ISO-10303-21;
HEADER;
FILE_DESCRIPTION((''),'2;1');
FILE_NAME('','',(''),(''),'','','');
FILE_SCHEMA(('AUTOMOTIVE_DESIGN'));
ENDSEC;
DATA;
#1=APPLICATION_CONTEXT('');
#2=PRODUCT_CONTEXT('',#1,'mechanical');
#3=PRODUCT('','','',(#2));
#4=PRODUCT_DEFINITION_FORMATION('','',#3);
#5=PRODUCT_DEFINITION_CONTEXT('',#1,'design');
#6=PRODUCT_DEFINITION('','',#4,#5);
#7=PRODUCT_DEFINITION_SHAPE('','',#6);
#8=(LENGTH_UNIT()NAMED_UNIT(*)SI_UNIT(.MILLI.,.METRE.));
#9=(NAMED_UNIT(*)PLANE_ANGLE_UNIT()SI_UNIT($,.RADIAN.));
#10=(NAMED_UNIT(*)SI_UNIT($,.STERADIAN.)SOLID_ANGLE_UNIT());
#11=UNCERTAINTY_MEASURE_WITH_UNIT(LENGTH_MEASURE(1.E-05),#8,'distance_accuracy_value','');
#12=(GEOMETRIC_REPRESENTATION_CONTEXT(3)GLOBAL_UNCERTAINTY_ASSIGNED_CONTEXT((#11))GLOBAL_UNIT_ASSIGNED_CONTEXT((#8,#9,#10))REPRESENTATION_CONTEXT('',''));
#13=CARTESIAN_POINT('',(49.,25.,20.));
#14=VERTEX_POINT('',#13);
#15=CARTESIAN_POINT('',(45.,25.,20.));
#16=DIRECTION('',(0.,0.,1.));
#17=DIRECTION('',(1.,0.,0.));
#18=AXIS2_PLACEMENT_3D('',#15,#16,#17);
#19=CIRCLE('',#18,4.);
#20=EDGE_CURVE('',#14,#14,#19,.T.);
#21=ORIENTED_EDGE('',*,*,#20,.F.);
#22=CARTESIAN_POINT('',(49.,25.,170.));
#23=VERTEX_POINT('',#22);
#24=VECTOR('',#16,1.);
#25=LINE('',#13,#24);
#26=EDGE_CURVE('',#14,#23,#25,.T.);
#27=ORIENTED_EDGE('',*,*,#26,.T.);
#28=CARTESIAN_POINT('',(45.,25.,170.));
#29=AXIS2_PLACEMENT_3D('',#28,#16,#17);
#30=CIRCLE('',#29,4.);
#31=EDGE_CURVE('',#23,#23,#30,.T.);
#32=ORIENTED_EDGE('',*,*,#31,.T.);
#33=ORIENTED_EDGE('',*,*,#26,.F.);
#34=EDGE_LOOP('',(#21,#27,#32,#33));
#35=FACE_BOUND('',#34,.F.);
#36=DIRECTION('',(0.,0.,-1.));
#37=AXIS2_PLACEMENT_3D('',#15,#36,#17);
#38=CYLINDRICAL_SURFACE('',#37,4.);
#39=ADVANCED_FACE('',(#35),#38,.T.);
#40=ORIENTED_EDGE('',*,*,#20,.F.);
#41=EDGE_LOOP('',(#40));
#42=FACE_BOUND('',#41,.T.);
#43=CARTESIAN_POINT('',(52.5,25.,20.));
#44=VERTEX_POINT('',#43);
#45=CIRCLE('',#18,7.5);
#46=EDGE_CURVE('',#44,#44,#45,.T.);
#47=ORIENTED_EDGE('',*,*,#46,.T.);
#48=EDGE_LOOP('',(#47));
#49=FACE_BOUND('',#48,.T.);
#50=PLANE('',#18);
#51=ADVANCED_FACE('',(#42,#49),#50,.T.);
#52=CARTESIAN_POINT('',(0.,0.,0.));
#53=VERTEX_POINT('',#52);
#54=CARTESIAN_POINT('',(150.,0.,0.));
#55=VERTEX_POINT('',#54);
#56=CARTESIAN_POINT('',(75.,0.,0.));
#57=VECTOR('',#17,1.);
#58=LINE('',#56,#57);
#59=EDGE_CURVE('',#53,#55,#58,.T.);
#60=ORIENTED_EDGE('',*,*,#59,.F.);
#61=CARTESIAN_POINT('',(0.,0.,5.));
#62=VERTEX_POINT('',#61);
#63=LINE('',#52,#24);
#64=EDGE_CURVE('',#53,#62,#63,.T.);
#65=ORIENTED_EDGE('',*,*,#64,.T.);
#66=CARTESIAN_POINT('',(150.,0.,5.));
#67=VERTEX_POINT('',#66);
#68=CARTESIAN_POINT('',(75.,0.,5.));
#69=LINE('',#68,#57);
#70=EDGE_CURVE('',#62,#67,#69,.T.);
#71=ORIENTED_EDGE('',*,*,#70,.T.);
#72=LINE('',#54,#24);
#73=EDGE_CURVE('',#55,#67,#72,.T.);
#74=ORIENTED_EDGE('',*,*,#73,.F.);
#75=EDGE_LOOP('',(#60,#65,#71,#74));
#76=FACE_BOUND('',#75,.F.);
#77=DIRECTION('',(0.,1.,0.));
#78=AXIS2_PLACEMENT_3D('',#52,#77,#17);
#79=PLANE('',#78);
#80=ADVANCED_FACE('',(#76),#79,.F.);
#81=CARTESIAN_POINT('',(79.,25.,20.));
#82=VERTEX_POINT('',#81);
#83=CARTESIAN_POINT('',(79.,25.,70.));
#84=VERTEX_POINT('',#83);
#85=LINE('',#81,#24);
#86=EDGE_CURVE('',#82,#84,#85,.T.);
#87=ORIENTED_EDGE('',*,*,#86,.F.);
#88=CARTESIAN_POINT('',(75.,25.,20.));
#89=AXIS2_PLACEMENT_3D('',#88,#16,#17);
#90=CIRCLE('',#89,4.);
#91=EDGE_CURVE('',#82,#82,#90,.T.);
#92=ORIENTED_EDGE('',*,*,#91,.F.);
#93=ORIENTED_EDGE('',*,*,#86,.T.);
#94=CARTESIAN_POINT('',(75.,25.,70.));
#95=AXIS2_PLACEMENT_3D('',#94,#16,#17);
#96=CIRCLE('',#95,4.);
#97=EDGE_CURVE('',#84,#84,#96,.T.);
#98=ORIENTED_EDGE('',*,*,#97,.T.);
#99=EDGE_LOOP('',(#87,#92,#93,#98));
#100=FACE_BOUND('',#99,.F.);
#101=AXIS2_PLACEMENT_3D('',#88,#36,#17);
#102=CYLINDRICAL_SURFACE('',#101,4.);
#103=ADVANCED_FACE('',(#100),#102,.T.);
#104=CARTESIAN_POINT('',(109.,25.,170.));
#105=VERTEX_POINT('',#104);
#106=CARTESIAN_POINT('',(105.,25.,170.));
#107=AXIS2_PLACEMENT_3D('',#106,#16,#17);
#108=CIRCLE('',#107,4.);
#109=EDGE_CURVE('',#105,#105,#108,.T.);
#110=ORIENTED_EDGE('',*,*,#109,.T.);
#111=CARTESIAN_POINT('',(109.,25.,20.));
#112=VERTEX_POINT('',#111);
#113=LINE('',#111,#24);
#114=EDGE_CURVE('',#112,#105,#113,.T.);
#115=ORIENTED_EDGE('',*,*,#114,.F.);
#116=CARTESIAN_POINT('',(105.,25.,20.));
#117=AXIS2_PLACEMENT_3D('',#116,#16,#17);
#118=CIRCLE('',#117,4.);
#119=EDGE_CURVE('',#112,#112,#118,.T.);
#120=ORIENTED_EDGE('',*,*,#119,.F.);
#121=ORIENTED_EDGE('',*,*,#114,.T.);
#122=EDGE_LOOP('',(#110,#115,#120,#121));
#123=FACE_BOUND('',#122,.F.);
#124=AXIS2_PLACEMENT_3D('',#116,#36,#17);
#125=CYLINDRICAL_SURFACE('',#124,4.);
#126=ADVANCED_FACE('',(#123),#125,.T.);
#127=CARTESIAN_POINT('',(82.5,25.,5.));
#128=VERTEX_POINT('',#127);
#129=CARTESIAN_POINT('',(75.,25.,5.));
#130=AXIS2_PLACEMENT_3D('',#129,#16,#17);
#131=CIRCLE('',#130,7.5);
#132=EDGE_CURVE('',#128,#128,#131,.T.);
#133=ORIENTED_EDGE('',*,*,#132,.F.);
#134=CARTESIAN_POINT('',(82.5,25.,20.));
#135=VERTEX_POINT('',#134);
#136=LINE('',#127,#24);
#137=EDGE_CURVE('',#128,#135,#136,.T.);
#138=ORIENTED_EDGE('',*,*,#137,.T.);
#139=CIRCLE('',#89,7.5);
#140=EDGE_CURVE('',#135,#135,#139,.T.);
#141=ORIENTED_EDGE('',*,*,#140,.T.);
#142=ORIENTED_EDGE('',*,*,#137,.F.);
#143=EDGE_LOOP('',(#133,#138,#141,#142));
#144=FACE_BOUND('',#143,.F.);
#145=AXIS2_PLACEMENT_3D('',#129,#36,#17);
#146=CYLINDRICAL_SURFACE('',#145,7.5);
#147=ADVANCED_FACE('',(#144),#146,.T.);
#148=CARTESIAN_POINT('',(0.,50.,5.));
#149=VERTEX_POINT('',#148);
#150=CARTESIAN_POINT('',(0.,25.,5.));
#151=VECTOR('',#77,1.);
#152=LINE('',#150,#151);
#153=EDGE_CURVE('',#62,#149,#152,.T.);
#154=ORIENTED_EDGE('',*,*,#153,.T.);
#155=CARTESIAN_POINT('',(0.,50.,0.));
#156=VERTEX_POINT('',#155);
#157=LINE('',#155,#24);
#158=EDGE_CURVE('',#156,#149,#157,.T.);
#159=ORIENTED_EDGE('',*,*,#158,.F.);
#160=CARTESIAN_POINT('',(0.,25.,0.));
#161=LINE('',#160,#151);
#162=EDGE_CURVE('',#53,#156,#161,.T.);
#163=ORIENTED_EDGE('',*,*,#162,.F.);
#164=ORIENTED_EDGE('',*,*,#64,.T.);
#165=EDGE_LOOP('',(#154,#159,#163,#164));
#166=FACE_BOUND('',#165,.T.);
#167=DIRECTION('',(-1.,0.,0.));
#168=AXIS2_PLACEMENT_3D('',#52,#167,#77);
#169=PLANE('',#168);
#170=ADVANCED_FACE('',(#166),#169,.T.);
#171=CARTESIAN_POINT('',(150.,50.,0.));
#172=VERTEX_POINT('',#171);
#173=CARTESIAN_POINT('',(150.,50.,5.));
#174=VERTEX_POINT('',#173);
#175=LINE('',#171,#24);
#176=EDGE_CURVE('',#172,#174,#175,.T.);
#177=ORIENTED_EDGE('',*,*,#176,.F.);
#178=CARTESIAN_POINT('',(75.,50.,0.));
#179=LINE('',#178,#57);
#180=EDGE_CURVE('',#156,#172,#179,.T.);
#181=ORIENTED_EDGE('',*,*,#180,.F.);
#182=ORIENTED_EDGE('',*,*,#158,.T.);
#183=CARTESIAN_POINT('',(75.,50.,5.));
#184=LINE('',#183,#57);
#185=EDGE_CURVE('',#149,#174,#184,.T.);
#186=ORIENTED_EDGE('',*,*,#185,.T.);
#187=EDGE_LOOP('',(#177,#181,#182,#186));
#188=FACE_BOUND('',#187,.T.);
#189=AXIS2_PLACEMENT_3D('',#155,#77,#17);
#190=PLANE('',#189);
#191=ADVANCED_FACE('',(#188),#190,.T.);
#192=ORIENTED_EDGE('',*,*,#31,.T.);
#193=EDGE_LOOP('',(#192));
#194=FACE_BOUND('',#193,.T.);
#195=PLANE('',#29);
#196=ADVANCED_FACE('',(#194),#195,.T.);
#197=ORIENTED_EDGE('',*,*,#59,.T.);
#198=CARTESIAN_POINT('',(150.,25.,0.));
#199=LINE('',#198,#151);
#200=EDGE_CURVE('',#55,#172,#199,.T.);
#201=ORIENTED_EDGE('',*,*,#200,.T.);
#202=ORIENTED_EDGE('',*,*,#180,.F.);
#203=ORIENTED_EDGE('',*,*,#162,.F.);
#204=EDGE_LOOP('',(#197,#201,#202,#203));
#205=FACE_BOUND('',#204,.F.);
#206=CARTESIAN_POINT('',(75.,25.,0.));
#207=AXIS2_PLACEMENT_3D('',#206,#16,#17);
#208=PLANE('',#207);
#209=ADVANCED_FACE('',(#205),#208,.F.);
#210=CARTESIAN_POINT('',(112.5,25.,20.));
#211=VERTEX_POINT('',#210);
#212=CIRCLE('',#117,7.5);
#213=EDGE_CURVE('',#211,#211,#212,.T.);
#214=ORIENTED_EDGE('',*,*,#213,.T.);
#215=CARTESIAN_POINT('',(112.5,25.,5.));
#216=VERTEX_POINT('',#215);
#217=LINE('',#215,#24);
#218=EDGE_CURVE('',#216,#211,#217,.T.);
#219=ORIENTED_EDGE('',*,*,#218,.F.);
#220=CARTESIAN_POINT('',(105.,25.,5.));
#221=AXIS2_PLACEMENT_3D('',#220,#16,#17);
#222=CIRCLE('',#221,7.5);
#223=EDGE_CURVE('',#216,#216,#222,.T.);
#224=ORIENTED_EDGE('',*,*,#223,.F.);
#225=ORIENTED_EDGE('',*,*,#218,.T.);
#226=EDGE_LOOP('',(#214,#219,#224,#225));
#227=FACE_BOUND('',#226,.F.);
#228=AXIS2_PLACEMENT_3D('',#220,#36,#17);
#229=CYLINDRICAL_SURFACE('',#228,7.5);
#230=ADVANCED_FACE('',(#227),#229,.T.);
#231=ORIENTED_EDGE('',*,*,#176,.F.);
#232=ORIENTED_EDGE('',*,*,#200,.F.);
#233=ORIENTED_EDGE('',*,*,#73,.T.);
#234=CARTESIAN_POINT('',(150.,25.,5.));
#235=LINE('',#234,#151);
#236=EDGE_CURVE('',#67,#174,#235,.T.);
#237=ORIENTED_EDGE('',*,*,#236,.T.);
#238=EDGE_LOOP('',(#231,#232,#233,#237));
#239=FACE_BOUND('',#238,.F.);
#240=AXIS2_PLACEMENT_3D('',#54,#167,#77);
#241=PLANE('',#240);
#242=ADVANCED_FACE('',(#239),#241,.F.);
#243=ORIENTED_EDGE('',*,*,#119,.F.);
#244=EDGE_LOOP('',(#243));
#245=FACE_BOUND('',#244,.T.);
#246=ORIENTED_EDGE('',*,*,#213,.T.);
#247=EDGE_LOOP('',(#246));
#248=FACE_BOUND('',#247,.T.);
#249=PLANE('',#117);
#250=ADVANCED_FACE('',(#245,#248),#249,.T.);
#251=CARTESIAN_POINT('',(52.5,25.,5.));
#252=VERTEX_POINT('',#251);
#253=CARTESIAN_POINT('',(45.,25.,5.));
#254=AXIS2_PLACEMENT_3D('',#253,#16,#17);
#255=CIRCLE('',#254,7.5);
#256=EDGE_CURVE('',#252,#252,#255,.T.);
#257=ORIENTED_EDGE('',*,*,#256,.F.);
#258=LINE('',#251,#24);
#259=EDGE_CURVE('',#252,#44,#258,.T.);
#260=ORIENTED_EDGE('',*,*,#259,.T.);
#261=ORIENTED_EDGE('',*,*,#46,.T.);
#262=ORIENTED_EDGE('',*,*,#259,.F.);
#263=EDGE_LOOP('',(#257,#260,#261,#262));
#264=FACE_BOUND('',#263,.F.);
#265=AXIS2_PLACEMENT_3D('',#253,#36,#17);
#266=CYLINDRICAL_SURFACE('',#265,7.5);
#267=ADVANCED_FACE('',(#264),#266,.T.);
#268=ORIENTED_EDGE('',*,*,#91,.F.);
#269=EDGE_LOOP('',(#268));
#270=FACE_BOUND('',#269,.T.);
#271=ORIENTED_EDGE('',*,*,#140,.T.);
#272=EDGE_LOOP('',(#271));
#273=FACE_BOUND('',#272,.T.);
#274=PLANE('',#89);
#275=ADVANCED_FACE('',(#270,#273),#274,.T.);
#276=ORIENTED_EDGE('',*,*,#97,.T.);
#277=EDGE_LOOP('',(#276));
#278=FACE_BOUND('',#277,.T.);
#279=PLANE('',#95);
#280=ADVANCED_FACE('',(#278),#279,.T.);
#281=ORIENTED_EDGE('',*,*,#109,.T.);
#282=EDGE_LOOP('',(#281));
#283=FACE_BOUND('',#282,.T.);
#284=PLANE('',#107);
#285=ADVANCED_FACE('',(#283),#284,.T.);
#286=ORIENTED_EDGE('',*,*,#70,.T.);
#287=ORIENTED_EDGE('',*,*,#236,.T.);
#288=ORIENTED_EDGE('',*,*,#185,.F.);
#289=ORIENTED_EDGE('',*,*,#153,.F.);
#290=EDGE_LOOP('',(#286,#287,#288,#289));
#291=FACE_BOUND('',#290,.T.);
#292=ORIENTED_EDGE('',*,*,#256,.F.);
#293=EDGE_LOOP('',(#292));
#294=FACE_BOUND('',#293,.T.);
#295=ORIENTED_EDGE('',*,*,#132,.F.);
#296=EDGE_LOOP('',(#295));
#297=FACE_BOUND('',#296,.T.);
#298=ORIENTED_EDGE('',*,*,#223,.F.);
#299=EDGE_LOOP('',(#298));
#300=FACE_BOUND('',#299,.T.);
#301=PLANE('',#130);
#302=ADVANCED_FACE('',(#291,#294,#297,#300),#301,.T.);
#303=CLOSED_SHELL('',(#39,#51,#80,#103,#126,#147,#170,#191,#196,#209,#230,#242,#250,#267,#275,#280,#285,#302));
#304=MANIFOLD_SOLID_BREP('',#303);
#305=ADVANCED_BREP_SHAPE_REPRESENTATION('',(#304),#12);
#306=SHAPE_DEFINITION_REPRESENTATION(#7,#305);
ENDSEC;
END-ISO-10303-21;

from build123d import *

# Parameters (mm, degrees)
F0_W     = 150
F0_H     = 50
F1_DEPTH = 5
F2_R     = 7.5
F3_DEPTH = 15
F4_R     = 4
F5_DEPTH = 150
F6_R     = 4
F7_DEPTH = 50


with BuildPart() as f1:
    # F0 (on Top) → F1 (new body)
    with BuildSketch(Plane.XY):
        with Locations((75, 25)):
            Rectangle(F0_W, F0_H)
    extrude(amount=F1_DEPTH)

    # F2 (on face) → F3 (join)
    with BuildSketch(Plane.XY.offset(5)):
        with Locations((45, 25)):
            Circle(F2_R)
        with Locations((75, 25)):
            Circle(F2_R)
        with Locations((105, 25)):
            Circle(F2_R)
    extrude(amount=F3_DEPTH)

    # F4 (on face) → F5 (join)
    with BuildSketch(Plane.XY.offset(20)):
        with Locations((45, 25)):
            Circle(F4_R)
        with Locations((105, 25)):
            Circle(F4_R)
    extrude(amount=F5_DEPTH)

    # F6 (on face) → F7 (join)
    with BuildSketch(Plane.XY.offset(20)):
        with Locations((75, 25)):
            Circle(F6_R)
    extrude(amount=F7_DEPTH)


solid = f1.part
